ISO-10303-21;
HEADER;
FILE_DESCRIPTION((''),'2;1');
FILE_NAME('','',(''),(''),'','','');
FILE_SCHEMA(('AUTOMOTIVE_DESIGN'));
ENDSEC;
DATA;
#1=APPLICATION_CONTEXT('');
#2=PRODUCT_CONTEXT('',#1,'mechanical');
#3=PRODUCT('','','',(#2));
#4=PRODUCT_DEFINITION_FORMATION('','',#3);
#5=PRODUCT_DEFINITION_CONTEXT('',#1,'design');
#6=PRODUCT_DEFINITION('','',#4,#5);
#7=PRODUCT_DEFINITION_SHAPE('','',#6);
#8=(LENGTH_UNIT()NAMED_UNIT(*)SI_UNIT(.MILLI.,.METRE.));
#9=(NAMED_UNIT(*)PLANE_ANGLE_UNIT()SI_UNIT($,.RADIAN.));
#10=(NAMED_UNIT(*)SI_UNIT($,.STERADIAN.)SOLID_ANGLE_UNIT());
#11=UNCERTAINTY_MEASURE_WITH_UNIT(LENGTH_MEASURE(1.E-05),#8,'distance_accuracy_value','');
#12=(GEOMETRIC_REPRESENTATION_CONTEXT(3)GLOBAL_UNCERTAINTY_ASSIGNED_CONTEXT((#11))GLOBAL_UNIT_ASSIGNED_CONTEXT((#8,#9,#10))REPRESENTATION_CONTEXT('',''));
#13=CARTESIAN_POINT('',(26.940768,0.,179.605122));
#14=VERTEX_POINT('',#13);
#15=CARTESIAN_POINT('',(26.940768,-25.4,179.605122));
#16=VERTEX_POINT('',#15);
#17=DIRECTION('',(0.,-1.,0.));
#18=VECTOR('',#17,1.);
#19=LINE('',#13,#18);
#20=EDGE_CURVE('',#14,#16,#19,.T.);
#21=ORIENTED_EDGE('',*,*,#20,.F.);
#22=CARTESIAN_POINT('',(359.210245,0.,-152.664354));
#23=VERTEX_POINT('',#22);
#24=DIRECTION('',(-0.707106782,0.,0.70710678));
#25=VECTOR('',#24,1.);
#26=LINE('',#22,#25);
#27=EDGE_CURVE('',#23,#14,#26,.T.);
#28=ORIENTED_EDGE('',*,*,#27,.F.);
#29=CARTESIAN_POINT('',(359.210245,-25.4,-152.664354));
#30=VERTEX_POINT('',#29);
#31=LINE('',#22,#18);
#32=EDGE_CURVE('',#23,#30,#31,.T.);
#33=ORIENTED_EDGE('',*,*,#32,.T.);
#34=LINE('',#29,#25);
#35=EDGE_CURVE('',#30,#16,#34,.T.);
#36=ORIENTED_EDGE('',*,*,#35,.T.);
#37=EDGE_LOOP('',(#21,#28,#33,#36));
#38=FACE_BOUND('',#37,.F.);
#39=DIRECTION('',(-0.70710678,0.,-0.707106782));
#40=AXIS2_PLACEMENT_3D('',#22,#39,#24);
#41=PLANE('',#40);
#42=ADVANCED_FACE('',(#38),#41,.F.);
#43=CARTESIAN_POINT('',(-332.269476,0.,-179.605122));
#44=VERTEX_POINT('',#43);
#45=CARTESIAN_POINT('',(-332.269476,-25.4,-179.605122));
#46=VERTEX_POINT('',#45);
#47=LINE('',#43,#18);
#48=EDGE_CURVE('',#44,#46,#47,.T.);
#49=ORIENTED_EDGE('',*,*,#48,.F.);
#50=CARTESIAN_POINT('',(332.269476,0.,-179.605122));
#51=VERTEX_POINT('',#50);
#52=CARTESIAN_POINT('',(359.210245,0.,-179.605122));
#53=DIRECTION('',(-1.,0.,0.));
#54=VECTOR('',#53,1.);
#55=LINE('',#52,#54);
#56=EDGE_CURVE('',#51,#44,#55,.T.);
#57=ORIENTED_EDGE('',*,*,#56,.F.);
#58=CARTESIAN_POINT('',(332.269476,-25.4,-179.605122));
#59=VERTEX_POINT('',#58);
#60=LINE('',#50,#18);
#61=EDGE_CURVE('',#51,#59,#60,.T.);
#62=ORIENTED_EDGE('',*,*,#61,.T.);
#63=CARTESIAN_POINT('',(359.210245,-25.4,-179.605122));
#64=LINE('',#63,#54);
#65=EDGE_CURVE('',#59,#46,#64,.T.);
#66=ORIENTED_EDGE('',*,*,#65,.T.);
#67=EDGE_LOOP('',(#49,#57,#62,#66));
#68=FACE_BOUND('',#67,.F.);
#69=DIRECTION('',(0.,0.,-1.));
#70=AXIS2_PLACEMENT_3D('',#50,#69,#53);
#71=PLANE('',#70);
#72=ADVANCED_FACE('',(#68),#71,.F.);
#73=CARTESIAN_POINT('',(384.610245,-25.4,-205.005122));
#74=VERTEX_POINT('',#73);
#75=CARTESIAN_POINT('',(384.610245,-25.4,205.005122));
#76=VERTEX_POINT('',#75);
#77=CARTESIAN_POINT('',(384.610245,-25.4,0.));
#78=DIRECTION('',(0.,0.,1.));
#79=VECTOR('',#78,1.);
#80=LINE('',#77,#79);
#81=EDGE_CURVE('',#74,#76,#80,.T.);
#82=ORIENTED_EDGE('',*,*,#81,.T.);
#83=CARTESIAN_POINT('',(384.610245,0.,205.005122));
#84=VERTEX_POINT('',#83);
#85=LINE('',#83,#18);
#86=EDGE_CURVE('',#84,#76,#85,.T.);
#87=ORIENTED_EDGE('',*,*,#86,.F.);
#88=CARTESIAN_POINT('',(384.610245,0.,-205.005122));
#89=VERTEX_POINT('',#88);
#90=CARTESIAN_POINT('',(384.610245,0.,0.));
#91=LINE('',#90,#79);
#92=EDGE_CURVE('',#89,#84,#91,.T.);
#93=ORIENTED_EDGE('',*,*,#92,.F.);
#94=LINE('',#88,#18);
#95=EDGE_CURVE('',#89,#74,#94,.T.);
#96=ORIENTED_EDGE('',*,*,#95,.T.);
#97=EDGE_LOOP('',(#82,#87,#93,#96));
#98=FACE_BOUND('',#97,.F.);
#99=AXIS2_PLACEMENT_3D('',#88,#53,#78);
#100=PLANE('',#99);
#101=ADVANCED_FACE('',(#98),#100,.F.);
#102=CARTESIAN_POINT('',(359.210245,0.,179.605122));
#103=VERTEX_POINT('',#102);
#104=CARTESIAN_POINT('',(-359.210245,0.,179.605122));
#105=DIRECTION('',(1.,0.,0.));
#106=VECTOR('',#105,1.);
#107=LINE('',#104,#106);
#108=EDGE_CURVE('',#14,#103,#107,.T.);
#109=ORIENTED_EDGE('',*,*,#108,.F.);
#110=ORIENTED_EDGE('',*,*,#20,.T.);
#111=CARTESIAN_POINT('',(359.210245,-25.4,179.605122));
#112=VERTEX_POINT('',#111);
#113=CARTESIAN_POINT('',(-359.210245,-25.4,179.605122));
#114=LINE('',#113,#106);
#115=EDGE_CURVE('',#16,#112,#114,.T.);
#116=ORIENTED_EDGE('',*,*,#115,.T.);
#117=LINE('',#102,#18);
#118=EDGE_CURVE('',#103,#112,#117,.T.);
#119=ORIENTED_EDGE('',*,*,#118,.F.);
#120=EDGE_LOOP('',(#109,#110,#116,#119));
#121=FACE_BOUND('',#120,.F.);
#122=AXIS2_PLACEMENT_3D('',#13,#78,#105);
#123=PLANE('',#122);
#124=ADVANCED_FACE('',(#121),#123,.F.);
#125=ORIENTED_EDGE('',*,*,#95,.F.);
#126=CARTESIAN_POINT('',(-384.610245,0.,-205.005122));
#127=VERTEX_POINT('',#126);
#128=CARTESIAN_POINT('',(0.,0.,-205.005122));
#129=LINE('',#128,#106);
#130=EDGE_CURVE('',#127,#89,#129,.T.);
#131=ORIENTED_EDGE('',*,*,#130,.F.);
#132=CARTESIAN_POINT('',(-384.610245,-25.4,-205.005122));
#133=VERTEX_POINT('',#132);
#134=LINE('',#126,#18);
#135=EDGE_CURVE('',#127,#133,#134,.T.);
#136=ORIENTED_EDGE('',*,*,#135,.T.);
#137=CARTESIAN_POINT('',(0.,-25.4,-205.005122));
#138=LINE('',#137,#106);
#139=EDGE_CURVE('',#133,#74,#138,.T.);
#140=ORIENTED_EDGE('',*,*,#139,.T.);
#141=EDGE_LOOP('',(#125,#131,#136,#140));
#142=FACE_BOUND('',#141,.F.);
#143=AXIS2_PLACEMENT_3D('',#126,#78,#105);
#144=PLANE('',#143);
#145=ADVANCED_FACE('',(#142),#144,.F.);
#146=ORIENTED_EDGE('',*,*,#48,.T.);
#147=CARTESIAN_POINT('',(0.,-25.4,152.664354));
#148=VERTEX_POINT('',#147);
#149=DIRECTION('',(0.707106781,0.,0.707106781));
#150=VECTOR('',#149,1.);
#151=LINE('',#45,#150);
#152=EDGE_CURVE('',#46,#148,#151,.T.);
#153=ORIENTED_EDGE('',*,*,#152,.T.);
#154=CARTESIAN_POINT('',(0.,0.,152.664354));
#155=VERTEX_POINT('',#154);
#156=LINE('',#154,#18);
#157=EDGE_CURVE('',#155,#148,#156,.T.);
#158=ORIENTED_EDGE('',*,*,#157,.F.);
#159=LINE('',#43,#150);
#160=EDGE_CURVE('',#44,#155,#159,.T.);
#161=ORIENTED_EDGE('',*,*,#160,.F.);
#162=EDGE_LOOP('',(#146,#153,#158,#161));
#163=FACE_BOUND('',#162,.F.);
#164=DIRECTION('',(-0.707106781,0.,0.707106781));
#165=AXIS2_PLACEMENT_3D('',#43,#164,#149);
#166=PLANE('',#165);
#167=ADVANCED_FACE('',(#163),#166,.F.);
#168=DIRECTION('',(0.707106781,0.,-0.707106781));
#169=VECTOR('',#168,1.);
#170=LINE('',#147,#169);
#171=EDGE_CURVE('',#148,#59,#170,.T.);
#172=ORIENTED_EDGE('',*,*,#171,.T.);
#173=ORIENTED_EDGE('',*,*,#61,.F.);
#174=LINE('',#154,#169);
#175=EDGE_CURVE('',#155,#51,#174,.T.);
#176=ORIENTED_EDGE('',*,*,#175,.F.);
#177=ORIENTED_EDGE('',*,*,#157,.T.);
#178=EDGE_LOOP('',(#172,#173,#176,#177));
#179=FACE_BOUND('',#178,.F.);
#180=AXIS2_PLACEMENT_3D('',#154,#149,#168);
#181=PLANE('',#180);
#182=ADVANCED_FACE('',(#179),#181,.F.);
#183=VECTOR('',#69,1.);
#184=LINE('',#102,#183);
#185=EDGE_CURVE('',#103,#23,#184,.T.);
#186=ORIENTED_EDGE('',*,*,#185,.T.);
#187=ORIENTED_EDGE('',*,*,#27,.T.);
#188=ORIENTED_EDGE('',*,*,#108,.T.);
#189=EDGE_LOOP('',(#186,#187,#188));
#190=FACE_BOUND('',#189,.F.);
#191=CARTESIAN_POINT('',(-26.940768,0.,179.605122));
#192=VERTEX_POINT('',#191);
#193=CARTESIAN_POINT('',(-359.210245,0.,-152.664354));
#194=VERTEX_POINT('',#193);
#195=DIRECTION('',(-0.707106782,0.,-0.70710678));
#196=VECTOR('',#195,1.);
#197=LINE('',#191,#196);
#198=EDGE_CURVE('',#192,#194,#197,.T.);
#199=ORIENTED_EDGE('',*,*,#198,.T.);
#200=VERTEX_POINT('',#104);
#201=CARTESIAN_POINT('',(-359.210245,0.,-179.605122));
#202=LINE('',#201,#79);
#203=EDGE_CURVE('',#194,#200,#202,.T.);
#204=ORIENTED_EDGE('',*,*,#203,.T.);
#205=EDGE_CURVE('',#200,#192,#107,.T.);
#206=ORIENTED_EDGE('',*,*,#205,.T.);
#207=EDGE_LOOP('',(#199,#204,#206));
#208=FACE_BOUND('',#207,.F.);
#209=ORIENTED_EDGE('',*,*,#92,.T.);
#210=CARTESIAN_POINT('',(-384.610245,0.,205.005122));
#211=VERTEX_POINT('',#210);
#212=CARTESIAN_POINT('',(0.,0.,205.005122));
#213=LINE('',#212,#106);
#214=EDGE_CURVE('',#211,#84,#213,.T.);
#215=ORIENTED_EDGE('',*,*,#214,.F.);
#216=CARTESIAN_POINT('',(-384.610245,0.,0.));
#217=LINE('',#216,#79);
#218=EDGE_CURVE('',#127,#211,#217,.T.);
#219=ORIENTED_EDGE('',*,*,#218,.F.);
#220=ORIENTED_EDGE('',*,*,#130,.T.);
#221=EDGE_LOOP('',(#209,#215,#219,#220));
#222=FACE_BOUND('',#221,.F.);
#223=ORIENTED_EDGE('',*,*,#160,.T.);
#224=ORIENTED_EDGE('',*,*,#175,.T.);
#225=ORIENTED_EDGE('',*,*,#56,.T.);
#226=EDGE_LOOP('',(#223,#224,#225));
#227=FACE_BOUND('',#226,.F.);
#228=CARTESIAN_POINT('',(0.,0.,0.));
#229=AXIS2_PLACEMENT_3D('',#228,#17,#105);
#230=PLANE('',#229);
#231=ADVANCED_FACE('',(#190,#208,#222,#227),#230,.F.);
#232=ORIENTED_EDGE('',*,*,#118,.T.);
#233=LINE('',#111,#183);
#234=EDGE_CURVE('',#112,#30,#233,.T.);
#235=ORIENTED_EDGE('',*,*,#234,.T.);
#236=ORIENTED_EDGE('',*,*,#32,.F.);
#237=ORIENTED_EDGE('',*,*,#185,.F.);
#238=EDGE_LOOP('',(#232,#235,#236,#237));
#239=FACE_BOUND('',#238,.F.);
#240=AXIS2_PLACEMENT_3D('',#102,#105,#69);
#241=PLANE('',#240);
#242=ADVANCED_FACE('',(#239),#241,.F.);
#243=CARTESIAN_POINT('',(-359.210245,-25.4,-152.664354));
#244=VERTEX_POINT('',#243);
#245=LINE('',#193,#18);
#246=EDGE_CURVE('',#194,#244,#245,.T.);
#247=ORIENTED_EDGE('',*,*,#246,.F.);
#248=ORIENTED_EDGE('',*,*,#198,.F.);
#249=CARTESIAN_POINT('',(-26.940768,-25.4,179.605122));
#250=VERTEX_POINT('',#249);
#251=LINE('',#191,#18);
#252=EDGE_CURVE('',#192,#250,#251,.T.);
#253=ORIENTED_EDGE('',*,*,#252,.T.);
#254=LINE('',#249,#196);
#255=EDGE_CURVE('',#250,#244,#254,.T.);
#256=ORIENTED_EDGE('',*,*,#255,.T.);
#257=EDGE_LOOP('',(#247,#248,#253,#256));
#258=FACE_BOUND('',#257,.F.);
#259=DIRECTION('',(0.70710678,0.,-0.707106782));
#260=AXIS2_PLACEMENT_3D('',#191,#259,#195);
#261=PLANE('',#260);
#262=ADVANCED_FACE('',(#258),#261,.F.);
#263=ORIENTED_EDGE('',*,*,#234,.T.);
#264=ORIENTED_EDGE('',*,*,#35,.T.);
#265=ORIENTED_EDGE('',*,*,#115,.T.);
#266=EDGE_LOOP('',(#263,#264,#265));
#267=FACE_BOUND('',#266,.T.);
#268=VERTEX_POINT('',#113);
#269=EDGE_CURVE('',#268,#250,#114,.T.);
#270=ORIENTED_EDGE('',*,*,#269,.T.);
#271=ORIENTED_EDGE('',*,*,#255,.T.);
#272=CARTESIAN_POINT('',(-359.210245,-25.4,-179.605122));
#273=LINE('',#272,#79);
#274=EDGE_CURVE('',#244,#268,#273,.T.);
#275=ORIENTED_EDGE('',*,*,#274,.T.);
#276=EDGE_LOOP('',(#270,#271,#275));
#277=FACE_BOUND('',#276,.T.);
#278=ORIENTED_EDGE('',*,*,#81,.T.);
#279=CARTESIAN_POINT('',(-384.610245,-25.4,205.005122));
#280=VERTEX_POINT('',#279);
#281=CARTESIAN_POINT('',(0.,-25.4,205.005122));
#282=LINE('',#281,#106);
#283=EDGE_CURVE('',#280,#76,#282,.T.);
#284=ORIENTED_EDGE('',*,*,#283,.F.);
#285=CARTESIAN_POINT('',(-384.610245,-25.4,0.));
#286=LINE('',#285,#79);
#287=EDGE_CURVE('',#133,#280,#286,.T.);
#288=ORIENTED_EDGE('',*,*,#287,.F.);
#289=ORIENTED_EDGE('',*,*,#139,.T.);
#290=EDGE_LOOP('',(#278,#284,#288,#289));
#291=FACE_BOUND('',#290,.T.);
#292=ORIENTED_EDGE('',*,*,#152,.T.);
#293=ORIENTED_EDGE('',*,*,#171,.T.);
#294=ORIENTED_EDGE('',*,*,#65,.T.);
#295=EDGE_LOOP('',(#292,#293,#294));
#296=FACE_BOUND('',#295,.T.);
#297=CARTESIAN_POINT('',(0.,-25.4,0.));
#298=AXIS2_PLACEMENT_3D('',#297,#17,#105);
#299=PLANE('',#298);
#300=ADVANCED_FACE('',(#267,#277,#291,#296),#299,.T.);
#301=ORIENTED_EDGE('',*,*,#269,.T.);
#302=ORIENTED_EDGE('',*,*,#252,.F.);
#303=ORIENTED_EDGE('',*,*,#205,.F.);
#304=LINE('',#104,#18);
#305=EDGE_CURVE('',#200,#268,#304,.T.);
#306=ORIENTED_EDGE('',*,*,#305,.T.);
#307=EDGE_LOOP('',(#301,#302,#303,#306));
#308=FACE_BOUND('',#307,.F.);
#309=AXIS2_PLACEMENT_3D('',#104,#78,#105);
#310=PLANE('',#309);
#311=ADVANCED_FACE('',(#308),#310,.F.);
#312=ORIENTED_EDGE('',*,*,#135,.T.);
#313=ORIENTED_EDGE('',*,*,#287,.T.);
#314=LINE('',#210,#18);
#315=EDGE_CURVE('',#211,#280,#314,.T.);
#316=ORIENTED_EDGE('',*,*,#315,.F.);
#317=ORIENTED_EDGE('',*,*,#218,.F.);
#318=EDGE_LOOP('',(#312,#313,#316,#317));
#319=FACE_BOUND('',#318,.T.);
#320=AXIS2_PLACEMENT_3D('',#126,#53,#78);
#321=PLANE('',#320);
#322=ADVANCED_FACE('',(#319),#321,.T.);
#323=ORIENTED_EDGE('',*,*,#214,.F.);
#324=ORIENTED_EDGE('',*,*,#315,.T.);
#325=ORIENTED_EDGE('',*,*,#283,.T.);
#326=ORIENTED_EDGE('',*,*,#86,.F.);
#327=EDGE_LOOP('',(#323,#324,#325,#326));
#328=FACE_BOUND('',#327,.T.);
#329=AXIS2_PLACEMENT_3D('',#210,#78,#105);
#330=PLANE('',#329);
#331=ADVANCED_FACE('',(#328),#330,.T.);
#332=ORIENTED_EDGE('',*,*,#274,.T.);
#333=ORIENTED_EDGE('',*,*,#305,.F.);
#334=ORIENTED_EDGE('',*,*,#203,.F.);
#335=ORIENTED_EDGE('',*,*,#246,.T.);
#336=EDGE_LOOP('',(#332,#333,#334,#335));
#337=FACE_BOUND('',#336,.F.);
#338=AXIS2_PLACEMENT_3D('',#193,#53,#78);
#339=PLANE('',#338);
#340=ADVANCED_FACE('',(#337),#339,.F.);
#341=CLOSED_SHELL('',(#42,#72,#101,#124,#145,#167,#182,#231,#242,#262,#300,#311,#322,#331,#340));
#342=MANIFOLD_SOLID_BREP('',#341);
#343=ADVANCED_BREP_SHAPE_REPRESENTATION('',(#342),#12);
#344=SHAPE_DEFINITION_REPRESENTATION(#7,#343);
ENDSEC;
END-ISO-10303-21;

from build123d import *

# Parameters (mm, degrees)
F0_W     = 769.22049
F0_H     = 410.010244
F1_DEPTH = 25.4


with BuildPart() as f1:
    # F0 (on Front) → F1 (new body)
    with BuildSketch(Plane.XZ):
        Rectangle(F0_W, F0_H)
        Polygon((-359.210245, -179.605122), (-359.210245, -152.664354), (-359.210245, 179.605122), (-26.940768, 179.605122), (0, 179.605122), (26.940768, 179.605122), (359.210245, 179.605122), (359.210245, -152.664354), (359.210245, -179.605122), (332.269476, -179.605122), (-332.269476, -179.605122), align=None, mode=Mode.SUBTRACT)
        Polygon((-26.940768, 179.605122), (-359.210245, -152.664354), (-359.210245, -179.605122), (-332.269476, -179.605122), (0, 152.664354), (0, 179.605122), align=None)
        Polygon((26.940768, 179.605122), (0, 179.605122), (0, 152.664354), (332.269476, -179.605122), (359.210245, -179.605122), (359.210245, -152.664354), align=None)
    extrude(amount=F1_DEPTH)


solid = f1.part
